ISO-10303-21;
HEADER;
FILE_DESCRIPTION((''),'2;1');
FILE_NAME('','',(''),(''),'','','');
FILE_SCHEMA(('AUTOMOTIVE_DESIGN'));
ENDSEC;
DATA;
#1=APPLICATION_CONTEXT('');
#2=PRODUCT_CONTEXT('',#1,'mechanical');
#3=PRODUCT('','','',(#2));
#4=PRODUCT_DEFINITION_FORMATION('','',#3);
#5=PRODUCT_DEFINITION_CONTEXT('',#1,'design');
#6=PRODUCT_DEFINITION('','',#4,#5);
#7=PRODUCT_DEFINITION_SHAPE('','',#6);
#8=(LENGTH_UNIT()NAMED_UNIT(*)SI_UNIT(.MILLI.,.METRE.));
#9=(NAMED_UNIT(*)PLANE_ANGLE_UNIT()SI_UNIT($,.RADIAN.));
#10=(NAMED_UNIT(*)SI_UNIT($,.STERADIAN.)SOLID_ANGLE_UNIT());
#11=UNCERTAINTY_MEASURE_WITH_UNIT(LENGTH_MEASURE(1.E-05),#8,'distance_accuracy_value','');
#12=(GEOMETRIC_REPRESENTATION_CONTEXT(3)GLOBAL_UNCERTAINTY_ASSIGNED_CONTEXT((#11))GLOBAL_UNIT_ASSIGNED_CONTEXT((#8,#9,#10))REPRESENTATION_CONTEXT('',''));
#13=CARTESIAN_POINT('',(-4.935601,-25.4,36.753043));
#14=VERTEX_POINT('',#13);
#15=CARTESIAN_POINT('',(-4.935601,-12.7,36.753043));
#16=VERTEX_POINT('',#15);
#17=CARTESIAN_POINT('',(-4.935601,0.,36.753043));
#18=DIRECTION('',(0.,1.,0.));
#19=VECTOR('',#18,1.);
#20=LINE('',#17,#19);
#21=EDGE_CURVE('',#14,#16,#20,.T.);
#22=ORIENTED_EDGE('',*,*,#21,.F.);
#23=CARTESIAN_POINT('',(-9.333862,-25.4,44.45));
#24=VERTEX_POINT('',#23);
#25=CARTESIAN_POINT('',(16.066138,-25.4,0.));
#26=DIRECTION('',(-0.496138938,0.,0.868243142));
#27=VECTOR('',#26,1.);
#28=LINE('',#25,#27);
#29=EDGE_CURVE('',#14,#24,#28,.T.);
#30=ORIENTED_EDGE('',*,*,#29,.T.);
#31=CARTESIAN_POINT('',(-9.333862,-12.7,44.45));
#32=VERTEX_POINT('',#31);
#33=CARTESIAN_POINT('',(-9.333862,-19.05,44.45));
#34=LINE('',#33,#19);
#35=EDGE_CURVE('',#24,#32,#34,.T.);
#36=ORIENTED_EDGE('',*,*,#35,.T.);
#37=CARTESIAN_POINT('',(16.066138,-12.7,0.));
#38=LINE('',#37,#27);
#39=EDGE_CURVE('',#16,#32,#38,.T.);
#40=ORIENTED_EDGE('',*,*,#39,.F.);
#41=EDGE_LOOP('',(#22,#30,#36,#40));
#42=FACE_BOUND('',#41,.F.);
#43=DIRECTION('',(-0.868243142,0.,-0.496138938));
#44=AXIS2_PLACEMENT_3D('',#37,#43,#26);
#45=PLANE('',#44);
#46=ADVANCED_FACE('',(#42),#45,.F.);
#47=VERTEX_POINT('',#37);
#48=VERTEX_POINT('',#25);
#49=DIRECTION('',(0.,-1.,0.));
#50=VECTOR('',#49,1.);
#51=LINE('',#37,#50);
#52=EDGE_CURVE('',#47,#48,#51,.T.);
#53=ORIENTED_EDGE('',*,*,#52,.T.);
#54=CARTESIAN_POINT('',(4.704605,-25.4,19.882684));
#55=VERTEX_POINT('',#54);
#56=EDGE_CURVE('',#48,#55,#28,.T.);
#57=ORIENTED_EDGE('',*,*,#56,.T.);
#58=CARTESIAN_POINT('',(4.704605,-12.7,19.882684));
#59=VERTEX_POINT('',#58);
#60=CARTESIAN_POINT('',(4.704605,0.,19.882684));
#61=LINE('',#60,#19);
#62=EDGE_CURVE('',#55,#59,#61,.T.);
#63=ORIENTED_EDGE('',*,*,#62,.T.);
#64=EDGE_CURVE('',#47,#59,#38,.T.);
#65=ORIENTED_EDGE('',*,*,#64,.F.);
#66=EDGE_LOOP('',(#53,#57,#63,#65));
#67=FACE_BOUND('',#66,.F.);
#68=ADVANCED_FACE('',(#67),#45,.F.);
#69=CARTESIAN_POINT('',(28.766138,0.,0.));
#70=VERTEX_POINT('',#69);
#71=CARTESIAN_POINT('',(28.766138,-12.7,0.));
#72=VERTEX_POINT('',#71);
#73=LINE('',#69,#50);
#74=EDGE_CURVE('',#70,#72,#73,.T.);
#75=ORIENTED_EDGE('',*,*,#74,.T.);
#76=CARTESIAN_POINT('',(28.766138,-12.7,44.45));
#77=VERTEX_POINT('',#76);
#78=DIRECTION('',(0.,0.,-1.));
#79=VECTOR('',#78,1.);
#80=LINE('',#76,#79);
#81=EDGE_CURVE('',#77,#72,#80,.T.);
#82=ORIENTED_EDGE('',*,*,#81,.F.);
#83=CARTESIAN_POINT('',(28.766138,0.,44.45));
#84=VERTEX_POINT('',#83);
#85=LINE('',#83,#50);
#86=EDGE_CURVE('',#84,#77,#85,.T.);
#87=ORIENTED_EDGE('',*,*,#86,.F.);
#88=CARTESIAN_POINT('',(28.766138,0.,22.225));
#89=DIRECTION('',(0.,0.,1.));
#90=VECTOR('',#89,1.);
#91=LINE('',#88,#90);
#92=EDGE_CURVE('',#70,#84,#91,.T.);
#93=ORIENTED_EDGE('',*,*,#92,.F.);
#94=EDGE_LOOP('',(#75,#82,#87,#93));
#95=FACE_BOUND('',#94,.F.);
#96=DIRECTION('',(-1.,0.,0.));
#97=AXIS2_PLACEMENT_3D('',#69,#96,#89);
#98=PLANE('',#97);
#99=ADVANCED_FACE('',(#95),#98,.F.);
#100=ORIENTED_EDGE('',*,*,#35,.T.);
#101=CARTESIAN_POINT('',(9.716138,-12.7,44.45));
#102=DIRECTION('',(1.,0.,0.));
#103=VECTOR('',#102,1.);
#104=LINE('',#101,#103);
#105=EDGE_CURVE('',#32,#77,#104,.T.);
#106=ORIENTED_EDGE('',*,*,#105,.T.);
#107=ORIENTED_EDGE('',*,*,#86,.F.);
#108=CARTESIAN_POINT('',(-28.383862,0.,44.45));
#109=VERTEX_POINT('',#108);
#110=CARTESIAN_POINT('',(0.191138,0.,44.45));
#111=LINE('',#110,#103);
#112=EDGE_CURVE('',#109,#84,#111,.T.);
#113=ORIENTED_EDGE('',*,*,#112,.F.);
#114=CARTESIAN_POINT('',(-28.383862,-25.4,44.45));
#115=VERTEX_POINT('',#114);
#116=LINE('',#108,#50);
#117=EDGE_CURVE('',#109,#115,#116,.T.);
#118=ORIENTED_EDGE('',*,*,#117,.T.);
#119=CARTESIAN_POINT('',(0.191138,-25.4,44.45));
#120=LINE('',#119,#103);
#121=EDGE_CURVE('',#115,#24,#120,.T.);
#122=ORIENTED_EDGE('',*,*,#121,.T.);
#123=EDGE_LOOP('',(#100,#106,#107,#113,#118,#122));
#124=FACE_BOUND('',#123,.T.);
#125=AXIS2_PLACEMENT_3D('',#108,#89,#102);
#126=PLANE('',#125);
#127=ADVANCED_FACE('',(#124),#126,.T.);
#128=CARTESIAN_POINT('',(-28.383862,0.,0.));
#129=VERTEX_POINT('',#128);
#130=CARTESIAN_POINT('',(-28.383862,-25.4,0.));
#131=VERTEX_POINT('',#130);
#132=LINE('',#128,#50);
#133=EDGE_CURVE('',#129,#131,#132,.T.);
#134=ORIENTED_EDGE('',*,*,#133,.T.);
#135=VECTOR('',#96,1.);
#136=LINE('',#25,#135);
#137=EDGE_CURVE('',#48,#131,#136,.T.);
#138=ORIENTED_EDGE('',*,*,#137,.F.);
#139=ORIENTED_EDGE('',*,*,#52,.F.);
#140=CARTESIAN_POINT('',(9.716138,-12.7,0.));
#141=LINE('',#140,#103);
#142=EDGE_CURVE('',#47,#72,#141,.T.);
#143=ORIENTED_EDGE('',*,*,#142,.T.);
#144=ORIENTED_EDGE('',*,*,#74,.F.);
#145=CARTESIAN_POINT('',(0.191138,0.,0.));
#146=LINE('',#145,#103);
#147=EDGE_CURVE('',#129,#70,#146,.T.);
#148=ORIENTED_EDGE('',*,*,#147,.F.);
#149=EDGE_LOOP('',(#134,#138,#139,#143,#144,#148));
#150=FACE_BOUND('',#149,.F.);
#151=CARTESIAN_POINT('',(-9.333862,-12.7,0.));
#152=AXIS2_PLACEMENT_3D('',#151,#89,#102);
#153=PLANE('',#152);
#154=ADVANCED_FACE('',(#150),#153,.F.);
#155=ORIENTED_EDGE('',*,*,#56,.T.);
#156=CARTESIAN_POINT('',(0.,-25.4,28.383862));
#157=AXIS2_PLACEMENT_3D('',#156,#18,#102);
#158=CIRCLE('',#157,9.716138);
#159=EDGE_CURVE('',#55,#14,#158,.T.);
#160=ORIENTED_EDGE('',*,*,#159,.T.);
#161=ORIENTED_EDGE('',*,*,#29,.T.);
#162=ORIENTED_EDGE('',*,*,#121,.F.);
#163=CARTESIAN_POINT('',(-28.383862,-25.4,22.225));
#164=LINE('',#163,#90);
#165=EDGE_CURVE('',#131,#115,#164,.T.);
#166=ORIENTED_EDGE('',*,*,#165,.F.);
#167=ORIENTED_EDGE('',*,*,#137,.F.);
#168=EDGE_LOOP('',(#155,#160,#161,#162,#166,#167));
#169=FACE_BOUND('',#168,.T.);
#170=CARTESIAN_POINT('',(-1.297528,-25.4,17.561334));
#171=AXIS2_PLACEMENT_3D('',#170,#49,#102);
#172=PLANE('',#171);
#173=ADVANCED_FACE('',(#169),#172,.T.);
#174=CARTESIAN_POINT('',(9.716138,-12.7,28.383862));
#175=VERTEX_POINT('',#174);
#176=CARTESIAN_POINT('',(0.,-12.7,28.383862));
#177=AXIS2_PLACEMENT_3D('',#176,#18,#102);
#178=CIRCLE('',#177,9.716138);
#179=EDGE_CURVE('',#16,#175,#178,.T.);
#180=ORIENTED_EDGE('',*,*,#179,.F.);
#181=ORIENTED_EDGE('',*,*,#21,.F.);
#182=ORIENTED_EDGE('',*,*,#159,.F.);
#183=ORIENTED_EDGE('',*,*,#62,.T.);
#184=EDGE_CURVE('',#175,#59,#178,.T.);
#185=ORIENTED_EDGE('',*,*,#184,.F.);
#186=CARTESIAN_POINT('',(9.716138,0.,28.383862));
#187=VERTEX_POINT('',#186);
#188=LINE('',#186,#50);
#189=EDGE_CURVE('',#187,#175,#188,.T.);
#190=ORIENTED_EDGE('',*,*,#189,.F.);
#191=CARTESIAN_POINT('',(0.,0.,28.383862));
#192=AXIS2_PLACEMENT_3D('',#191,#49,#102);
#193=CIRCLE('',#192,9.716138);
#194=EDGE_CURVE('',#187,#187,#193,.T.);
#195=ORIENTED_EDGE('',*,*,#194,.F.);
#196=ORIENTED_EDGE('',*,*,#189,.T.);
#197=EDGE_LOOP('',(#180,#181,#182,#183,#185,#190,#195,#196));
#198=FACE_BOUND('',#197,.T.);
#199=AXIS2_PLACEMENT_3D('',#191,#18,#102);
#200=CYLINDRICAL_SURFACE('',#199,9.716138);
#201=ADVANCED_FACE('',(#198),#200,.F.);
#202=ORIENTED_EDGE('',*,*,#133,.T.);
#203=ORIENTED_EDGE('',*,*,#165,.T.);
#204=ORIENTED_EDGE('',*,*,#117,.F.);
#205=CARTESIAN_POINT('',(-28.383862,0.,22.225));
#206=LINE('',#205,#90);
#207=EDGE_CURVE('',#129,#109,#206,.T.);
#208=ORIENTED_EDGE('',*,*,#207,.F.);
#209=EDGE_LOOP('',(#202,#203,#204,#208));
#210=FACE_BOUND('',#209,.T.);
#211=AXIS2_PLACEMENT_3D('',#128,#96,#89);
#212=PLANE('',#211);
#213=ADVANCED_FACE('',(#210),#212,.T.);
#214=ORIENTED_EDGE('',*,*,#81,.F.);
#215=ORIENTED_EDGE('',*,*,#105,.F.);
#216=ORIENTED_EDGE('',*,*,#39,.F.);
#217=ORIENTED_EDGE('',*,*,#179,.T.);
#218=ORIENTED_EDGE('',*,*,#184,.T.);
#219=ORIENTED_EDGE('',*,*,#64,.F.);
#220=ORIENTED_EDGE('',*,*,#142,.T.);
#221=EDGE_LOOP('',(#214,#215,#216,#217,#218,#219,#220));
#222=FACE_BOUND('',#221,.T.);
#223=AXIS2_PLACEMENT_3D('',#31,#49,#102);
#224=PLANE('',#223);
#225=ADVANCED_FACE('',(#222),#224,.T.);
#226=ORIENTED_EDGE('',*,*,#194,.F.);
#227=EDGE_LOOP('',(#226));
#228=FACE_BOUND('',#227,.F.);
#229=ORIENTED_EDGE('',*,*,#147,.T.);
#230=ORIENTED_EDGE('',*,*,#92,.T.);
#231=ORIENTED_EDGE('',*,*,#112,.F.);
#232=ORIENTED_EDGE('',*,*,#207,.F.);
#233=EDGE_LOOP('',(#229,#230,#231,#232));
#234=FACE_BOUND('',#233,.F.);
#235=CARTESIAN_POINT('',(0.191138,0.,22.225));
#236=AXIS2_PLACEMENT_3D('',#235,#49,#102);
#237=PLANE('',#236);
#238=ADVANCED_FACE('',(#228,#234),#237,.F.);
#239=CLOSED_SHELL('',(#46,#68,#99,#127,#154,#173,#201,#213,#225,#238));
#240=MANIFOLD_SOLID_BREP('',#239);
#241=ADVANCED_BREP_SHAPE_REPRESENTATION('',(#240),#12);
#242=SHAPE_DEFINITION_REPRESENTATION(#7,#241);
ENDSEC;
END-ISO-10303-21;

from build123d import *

# Parameters (mm, degrees)
F0_W     = 57.15
F0_H     = 44.45
F1_DEPTH = 25.4
F2_W     = 38.1
F2_H     = 12.7
F3_DEPTH = 44.45
F5_DEPTH = 12.7
F6_R     = 9.716138
F7_DEPTH = 25.401


with BuildPart() as f1:
    # F0 (on Front) → F1 (new body)
    with BuildSketch(Plane.XZ):
        with Locations((0.191138, 22.225)):
            Rectangle(F0_W, F0_H)
    extrude(amount=F1_DEPTH)

    # F2 (on face) → F3 (cut)
    with BuildSketch(Plane.XY.offset(44.45)):
        with Locations((9.716138, -19.05)):
            Rectangle(F2_W, F2_H)
    extrude(amount=-F3_DEPTH, mode=Mode.SUBTRACT)

    # F4 (on face) → F5 (join)
    with BuildSketch(Plane.XZ.offset(12.7)):
        Polygon((16.066138, 0), (-9.333862, 44.45), (-9.333862, 0), align=None)
    extrude(amount=F5_DEPTH)

    # F6 (on Front) → F7 (cut, through all)
    with BuildSketch(Plane.XZ):
        with Locations((0, 28.383862)):
            Circle(F6_R)
    extrude(amount=F7_DEPTH, mode=Mode.SUBTRACT)


solid = f1.part
